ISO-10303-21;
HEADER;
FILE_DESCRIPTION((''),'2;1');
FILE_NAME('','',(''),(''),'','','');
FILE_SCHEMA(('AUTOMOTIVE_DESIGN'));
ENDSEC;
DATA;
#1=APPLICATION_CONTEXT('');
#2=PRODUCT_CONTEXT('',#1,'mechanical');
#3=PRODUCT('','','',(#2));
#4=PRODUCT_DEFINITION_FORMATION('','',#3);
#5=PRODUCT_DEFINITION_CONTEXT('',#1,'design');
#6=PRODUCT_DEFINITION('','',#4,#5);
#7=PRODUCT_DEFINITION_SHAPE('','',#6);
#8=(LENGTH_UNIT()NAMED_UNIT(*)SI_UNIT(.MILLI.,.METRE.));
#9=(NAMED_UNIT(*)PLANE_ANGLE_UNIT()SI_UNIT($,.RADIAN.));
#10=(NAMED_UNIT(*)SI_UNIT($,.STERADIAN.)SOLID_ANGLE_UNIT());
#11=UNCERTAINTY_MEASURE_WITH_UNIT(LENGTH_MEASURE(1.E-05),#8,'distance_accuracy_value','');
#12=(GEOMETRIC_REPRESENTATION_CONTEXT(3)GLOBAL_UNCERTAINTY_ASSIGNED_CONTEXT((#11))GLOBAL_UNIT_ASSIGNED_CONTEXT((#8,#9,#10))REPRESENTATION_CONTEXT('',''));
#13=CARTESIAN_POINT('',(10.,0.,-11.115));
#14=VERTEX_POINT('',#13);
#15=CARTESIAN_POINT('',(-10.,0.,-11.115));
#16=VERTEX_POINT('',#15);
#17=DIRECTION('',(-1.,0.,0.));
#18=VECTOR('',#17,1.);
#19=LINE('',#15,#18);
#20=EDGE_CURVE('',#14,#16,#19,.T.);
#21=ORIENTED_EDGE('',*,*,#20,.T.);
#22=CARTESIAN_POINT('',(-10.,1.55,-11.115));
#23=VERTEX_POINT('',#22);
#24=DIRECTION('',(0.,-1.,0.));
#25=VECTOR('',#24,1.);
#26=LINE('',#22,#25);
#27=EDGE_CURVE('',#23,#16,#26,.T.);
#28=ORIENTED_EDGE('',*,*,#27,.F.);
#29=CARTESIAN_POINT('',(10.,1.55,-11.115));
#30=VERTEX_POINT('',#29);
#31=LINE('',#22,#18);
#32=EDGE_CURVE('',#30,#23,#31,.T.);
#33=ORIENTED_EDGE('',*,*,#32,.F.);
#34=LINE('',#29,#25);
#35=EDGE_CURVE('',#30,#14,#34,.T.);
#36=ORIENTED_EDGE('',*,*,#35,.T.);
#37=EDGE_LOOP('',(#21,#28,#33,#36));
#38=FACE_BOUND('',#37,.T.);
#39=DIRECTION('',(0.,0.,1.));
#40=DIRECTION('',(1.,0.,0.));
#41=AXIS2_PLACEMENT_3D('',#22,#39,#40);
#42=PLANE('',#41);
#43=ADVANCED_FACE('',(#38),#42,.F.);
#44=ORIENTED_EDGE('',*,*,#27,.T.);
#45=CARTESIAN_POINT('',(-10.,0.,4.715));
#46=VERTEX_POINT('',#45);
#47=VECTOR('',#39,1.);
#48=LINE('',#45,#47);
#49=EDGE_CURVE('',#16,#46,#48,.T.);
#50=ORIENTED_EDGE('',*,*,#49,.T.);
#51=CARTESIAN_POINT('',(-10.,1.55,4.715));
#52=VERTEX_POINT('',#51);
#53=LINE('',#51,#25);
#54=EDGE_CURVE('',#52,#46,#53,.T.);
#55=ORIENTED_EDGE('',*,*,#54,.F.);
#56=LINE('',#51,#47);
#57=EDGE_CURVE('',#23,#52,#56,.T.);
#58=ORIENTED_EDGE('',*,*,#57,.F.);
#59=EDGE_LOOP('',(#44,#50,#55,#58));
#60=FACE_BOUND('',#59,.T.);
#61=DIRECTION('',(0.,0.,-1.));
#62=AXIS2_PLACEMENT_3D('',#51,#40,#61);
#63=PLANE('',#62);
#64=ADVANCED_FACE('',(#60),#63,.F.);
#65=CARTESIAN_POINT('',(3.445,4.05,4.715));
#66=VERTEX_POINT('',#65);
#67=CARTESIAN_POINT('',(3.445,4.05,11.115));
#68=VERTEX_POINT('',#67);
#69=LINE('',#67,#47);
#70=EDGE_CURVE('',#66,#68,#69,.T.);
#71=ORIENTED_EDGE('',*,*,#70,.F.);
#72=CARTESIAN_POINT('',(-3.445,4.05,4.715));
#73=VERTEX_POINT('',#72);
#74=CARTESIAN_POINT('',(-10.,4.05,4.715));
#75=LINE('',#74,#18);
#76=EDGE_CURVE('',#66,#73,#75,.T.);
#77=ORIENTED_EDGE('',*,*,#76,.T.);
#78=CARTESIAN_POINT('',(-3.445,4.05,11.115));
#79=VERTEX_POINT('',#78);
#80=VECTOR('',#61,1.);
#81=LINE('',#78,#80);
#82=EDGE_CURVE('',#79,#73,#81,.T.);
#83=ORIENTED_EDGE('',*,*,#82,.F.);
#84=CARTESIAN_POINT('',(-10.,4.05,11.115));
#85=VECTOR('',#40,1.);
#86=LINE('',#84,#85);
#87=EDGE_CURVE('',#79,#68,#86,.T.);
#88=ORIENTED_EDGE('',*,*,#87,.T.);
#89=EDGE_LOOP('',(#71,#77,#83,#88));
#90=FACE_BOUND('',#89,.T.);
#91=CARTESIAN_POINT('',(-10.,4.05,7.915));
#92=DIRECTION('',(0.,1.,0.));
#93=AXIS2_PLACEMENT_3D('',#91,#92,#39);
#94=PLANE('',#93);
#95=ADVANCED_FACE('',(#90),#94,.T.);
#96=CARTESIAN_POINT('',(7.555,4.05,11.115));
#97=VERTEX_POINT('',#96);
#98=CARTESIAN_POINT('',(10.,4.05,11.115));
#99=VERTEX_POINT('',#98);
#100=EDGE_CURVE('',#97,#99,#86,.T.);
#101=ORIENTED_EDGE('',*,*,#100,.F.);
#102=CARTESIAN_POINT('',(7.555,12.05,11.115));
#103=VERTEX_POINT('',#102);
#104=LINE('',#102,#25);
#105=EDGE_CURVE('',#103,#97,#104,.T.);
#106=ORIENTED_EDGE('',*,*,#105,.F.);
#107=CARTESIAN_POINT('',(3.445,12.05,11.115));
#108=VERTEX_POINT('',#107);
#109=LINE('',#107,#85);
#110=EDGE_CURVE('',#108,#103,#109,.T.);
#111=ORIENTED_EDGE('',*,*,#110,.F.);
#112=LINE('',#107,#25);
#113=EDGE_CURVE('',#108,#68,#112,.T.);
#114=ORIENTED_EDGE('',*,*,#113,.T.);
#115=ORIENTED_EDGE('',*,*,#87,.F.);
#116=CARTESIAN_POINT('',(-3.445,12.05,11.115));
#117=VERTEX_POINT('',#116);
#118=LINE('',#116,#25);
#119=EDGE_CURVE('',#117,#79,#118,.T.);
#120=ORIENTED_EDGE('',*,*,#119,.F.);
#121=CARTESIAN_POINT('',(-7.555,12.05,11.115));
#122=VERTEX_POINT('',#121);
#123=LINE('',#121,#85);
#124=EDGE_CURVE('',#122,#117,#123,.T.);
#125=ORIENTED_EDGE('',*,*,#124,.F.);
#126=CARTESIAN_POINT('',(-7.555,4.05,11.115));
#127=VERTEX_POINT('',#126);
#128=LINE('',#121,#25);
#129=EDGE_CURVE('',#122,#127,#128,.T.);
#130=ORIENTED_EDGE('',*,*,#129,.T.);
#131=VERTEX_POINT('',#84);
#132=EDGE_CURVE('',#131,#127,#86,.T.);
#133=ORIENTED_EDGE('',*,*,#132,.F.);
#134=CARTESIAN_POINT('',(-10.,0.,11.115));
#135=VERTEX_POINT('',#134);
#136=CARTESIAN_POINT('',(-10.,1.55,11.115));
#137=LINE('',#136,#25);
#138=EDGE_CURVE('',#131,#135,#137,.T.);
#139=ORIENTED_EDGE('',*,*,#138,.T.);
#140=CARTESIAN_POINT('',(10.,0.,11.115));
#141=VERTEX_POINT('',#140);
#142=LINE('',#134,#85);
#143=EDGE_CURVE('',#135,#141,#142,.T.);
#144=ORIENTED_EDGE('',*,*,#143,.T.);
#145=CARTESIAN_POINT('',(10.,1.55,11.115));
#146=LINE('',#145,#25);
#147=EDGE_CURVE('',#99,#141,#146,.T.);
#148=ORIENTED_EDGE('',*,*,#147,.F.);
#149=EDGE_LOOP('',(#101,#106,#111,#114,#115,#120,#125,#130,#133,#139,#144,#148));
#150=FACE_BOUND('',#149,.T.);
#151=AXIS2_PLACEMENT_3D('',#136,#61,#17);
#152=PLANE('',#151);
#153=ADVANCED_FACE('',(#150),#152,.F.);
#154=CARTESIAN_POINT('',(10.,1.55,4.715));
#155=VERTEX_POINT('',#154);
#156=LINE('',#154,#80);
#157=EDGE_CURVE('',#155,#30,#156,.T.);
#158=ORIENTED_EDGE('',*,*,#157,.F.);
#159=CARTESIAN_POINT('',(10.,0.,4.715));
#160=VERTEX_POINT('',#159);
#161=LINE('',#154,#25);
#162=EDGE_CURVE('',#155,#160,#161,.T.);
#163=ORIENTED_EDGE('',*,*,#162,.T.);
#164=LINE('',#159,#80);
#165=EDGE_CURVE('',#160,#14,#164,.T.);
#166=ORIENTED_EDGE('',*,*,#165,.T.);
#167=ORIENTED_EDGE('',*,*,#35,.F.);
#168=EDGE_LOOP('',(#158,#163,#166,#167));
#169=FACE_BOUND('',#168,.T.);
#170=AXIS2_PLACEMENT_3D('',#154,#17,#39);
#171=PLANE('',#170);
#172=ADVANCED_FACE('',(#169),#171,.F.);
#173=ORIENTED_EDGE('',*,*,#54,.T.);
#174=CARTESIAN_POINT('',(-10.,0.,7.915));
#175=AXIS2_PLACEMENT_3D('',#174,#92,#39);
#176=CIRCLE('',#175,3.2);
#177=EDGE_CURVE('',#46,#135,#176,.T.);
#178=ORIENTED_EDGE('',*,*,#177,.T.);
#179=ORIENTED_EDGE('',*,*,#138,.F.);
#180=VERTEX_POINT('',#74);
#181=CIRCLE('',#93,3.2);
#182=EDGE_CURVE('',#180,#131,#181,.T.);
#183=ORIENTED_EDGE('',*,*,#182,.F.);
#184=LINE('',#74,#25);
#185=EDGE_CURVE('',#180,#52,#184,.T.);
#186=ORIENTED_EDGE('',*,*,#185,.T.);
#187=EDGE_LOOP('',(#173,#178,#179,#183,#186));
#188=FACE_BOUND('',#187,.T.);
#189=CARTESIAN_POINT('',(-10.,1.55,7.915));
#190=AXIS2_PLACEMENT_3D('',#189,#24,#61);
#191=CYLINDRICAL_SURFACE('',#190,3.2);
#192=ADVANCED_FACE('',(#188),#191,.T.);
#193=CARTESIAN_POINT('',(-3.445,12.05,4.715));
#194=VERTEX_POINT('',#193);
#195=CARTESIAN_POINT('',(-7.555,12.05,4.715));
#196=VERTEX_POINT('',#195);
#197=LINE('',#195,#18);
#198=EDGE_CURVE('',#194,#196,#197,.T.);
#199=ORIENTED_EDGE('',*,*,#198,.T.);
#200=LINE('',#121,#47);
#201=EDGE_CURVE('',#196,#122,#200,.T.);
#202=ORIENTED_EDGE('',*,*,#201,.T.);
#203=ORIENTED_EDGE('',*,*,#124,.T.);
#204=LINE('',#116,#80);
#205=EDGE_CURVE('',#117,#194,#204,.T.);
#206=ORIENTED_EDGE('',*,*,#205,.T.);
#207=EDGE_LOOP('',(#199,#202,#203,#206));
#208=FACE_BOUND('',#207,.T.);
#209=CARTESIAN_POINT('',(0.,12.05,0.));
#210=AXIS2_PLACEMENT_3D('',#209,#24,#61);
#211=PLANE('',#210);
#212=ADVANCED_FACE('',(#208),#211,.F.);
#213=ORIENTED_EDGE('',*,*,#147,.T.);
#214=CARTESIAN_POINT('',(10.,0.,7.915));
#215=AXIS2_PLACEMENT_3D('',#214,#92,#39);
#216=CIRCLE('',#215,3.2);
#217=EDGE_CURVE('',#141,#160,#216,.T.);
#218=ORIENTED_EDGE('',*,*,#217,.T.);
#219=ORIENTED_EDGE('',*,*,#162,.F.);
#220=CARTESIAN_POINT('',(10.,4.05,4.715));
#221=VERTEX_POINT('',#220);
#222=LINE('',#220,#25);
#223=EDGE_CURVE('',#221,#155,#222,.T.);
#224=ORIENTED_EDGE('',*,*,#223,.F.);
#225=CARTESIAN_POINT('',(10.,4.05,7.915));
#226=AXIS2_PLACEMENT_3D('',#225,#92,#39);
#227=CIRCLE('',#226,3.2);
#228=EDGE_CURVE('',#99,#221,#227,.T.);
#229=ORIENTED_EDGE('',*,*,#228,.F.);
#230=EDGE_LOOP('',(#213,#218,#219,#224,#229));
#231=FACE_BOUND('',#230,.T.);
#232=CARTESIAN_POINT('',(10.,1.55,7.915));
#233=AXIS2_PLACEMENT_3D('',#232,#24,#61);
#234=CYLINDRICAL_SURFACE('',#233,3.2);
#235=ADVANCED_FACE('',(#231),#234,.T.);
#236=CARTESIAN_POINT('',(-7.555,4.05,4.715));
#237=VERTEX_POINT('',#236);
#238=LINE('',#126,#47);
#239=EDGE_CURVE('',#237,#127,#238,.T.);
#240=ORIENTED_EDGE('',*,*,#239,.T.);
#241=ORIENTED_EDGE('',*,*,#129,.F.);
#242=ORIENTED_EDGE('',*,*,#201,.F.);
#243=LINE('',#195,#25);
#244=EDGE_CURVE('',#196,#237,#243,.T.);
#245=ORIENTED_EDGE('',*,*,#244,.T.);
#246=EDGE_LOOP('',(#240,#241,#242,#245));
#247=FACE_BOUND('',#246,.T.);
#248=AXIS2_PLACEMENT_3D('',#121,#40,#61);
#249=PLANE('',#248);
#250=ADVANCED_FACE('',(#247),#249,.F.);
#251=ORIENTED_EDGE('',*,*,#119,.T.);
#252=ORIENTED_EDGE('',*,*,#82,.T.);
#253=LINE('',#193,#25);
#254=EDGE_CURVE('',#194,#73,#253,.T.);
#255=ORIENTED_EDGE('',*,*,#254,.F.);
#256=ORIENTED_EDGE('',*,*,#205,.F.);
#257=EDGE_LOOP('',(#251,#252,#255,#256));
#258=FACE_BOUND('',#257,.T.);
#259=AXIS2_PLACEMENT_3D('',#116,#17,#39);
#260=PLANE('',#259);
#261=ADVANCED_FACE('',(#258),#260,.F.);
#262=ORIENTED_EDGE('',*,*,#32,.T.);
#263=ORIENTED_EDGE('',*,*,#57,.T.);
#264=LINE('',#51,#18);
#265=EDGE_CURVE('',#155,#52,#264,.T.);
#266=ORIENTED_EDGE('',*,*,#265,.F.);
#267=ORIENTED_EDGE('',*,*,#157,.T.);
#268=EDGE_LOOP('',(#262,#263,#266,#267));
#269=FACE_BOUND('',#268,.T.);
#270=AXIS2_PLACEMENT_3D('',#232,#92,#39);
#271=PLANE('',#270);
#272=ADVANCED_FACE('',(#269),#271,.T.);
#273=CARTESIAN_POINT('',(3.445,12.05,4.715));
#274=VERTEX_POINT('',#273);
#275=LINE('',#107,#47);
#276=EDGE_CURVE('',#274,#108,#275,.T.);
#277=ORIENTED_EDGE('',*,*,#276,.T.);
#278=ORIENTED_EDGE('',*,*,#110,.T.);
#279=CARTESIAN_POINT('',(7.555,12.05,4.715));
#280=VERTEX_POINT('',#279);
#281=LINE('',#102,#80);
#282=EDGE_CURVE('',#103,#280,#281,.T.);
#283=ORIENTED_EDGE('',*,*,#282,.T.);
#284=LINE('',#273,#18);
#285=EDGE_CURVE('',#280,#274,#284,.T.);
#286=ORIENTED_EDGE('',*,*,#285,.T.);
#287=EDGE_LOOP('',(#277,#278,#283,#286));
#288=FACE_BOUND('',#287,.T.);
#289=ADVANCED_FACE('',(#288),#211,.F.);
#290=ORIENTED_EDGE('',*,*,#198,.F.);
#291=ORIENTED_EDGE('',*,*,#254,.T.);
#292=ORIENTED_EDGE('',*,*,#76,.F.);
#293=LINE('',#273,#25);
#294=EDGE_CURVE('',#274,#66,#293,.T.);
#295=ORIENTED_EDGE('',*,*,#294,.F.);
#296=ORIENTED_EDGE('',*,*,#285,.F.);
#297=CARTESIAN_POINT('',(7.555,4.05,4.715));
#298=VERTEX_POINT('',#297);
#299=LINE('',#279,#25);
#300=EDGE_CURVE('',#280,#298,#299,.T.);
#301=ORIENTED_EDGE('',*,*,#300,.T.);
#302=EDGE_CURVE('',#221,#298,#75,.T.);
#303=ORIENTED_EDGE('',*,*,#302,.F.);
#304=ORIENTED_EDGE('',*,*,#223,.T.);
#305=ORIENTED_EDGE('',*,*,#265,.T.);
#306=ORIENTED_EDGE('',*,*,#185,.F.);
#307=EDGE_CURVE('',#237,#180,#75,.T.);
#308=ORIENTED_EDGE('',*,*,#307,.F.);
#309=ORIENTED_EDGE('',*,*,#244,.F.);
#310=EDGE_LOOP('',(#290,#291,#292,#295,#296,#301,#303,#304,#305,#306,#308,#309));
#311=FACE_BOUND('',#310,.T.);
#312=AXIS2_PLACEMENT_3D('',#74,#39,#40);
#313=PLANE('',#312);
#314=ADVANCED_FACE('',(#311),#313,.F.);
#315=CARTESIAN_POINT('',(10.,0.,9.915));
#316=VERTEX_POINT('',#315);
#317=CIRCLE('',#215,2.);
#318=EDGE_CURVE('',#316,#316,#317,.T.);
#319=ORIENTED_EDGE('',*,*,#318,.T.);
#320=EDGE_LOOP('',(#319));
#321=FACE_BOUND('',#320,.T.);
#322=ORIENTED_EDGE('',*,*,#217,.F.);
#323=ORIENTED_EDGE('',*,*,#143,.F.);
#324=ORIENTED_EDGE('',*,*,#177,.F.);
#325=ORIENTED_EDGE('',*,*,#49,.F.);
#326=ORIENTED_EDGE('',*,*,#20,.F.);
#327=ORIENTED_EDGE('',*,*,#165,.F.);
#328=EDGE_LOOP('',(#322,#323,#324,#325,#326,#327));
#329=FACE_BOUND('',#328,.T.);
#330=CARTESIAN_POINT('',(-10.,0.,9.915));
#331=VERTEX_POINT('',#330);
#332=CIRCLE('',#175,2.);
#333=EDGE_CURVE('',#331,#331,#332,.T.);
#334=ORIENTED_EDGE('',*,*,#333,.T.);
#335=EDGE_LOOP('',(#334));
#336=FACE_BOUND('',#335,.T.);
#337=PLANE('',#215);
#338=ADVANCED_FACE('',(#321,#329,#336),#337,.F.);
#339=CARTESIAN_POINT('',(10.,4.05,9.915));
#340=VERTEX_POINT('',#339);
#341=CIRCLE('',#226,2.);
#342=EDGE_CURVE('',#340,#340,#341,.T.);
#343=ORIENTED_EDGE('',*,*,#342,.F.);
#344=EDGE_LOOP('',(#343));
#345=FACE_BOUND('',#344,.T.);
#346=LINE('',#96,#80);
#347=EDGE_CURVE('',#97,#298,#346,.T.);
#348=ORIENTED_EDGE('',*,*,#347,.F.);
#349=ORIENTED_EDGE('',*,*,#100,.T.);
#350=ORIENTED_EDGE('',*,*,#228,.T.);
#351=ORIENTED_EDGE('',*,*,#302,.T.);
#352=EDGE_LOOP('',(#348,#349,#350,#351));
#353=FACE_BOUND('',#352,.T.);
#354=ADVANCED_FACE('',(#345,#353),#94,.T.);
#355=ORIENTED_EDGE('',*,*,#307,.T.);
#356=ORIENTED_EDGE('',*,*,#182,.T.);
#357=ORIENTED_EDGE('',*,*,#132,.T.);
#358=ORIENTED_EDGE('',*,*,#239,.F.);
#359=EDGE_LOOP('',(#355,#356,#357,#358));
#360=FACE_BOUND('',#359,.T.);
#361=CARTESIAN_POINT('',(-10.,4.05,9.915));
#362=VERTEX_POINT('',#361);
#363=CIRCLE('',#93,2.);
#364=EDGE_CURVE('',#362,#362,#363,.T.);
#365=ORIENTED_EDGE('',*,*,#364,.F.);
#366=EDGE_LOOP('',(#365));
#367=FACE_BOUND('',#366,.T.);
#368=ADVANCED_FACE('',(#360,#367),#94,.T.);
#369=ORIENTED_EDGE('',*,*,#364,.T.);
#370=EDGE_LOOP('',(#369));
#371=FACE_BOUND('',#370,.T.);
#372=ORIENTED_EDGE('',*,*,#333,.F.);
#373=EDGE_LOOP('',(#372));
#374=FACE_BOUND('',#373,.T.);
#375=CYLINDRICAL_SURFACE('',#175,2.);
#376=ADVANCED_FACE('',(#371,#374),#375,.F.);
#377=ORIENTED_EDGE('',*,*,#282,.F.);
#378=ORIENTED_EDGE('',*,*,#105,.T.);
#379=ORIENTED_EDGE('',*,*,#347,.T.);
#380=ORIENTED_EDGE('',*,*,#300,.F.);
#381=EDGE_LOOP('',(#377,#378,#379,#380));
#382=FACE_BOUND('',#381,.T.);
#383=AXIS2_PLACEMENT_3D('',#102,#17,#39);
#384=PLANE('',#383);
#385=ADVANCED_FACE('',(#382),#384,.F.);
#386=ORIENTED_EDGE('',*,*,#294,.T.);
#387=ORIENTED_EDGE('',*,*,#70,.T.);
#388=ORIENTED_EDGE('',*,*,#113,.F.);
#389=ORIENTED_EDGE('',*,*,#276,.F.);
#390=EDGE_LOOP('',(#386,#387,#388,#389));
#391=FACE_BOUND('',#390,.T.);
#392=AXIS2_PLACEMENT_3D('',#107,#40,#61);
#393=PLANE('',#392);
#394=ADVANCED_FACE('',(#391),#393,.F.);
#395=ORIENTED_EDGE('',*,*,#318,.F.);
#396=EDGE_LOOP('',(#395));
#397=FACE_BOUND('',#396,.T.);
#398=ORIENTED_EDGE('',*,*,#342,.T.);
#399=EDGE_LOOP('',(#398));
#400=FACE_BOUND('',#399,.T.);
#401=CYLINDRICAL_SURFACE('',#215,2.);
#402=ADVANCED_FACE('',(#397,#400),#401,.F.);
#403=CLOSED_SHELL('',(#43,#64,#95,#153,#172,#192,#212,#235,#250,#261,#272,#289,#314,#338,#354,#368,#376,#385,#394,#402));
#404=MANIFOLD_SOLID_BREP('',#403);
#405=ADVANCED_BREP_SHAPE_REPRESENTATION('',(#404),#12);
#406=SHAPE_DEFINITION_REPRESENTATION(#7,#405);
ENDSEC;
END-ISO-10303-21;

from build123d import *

# Parameters (mm, degrees)
BOSS_EXTRUDE1_DEPTH = 1.55
BOSS_EXTRUDE2_DEPTH = 2.5
SKETCH4_W           = 4.11
SKETCH4_H           = 6.4
BOSS_EXTRUDE3_DEPTH = 8
SKETCH6_R           = 2
CUT_EXTRUDE1_DEPTH  = 20.020600017


with BuildPart() as part:
    # Sketch1 → Boss-Extrude1 (new body)
    with BuildSketch(Plane(origin=(0, 0, 0), x_dir=(1, 0, 0), z_dir=(0, 1, 0))):
        with BuildLine():
            Line((10, -4.715), (10, 11.115))
            Line((10, 11.115), (-10, 11.115))
            Line((-10, 11.115), (-10, -4.715))
            ThreePointArc((-10, -4.715), (-13.2, -7.915), (-10, -11.115))
            Line((-10, -11.115), (10, -11.115))
            ThreePointArc((10, -11.115), (13.2, -7.915), (10, -4.715))
        make_face()
    extrude(amount=BOSS_EXTRUDE1_DEPTH)

    # Sketch3 → Boss-Extrude2 (add)
    with BuildSketch(Plane(origin=(0, 1.55, 0), x_dir=(1, 0, 0), z_dir=(0, 1, 0))):
        with BuildLine():
            Line((-10, -4.715), (10, -4.715))
            ThreePointArc((10, -4.715), (13.2, -7.915), (10, -11.115))
            Line((10, -11.115), (-10, -11.115))
            ThreePointArc((-10, -11.115), (-13.2, -7.915), (-10, -4.715))
        make_face()
    extrude(amount=BOSS_EXTRUDE2_DEPTH)

    # Sketch4 → Boss-Extrude3 (add)
    with BuildSketch(Plane(origin=(0, 4.05, 0), x_dir=(1, 0, 0), z_dir=(0, 1, 0))):
        with Locations((-5.5, -7.915)):
            Rectangle(SKETCH4_W, SKETCH4_H)
        with Locations((5.5, -7.915)):
            Rectangle(SKETCH4_W, SKETCH4_H)
    extrude(amount=BOSS_EXTRUDE3_DEPTH)

    # Sketch6 → Cut-Extrude1 (cut, through all)
    with BuildSketch(Plane(origin=(0, 4.05, 0), x_dir=(1, 0, 0), z_dir=(0, 1, 0))):
        with Locations(Location((-10, -7.915, 0), (0, 0, 270))):
            Circle(SKETCH6_R)
        with Locations(Location((10, -7.915, 0), (0, 0, 270))):
            Circle(SKETCH6_R)
    extrude(amount=-CUT_EXTRUDE1_DEPTH, mode=Mode.SUBTRACT)


solid = part.part
